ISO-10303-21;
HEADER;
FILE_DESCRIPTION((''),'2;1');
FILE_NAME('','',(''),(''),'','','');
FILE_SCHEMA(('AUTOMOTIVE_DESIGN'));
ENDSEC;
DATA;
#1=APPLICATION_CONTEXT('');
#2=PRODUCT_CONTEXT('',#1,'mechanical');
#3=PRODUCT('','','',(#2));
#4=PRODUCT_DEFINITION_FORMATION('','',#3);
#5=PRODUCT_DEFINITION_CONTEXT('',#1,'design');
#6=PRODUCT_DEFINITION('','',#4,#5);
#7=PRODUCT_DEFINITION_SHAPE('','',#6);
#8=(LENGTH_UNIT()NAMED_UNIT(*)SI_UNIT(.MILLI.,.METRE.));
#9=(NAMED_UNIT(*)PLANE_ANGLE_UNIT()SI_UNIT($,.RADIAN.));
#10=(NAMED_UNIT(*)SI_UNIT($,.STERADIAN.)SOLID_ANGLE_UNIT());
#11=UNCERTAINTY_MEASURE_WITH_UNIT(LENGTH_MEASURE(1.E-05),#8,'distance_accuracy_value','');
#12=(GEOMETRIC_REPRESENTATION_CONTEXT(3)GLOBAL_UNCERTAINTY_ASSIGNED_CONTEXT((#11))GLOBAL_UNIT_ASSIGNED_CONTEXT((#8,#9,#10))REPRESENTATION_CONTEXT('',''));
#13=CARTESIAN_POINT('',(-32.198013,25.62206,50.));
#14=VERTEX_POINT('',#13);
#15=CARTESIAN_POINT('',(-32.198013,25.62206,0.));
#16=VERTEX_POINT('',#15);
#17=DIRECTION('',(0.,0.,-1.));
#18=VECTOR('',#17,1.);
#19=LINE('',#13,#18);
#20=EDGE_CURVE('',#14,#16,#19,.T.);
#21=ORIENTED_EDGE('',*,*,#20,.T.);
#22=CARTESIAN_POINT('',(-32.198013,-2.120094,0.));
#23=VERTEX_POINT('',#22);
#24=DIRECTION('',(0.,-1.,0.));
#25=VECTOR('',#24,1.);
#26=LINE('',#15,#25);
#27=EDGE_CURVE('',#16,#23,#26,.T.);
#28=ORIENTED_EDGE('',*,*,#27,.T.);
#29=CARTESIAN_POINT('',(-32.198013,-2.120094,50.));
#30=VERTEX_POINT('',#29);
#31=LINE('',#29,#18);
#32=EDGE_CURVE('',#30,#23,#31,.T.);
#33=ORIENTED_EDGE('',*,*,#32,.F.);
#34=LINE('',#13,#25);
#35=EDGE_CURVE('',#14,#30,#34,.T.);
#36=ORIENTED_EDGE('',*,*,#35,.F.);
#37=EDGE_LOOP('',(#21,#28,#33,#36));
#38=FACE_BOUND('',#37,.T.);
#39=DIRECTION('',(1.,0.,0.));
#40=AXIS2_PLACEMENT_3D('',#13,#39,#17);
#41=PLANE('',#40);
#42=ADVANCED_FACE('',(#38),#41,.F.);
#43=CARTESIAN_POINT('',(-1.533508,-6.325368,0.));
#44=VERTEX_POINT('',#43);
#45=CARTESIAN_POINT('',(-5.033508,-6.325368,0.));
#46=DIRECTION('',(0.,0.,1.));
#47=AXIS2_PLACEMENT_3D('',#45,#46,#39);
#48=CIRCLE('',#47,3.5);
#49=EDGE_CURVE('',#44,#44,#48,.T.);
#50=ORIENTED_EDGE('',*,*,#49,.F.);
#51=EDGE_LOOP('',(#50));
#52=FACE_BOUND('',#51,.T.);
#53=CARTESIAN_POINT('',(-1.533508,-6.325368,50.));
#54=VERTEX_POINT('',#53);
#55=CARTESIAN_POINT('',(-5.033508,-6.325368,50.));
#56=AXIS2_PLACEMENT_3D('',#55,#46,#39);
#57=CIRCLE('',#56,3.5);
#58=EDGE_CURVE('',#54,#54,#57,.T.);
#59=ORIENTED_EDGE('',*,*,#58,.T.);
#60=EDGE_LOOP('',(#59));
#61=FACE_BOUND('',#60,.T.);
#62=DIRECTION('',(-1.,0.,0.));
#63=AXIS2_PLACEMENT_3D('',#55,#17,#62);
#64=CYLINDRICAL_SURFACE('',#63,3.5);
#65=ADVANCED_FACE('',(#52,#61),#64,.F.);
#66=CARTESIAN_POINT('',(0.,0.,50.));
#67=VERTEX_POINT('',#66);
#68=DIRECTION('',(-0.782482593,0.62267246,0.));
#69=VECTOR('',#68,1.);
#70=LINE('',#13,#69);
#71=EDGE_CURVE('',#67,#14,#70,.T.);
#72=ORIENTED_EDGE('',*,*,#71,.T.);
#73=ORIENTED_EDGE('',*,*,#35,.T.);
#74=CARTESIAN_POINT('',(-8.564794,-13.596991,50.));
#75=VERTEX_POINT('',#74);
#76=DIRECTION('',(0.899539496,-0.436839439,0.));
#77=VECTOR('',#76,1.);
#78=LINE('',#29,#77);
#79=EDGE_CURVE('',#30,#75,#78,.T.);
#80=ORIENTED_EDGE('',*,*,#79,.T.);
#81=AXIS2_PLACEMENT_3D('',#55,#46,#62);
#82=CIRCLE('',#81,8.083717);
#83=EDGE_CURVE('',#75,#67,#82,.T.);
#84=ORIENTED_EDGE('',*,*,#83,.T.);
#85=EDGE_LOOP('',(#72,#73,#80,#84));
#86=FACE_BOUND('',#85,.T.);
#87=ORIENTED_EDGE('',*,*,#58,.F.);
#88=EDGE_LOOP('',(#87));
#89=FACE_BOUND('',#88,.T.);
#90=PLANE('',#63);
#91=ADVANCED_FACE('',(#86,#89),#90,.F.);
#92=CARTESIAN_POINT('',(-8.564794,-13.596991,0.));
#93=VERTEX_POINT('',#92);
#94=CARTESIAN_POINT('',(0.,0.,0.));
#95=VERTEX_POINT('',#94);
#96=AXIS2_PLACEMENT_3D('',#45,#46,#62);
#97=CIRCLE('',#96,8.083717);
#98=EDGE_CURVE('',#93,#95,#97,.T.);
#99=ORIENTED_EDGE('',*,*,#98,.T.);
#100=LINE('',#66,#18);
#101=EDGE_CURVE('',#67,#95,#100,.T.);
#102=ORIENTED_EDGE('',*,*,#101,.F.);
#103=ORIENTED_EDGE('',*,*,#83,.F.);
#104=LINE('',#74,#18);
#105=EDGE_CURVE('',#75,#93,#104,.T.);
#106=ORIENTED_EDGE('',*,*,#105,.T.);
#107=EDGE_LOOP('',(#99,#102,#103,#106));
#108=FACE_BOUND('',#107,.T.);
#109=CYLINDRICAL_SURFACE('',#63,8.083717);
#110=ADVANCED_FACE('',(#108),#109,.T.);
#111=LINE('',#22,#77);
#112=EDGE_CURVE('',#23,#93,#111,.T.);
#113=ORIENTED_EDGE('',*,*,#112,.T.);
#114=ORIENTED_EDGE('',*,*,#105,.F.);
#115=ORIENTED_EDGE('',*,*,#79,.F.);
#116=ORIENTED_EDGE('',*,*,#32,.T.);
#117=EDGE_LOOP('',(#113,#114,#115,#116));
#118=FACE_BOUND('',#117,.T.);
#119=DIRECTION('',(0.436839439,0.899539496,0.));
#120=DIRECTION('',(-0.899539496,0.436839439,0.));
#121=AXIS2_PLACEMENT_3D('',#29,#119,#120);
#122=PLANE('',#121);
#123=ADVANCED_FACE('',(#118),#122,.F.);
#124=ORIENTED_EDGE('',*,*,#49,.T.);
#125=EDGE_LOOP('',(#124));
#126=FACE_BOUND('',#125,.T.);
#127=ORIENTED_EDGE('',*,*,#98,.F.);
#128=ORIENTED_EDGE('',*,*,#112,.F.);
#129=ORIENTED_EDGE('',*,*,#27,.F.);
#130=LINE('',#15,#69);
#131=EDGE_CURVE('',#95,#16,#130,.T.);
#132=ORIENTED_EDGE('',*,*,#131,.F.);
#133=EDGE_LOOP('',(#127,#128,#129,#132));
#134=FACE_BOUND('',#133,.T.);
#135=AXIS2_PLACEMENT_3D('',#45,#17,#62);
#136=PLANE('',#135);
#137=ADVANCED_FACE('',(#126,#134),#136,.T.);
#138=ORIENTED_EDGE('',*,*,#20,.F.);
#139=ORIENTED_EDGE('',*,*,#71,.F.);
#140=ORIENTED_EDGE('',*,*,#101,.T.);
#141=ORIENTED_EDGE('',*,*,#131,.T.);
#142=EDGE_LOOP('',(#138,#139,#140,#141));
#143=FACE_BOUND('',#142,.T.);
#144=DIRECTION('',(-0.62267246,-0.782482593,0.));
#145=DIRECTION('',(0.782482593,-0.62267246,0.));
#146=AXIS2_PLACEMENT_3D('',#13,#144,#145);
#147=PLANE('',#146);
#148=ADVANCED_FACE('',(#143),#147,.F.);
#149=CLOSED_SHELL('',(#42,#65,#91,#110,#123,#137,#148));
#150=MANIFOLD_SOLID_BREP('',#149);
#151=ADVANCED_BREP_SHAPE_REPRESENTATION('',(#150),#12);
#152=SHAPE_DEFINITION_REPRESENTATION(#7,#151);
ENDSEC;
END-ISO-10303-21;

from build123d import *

# Parameters (mm, degrees)
SKETCH1_R           = 3.5
BOSS_EXTRUDE1_DEPTH = 50


with BuildPart() as part:
    # Sketch1 → Boss-Extrude1 (new body)
    with BuildSketch(Plane.XY):
        with BuildLine():
            Line((-32.198012743, 25.622059823), (0, 0))
            ThreePointArc((0, 0), (1.806353556, -10.633821759), (-8.564794356, -13.59699056))
            Line((-8.564794356, -13.59699056), (-32.198012743, -2.120093867))
            Line((-32.198012743, -2.120093867), (-32.198012743, 25.622059823))
        make_face()
        with Locations((-5.033507953, -6.325367841)):
            Circle(SKETCH1_R, mode=Mode.SUBTRACT)
    extrude(amount=BOSS_EXTRUDE1_DEPTH)


solid = part.part
